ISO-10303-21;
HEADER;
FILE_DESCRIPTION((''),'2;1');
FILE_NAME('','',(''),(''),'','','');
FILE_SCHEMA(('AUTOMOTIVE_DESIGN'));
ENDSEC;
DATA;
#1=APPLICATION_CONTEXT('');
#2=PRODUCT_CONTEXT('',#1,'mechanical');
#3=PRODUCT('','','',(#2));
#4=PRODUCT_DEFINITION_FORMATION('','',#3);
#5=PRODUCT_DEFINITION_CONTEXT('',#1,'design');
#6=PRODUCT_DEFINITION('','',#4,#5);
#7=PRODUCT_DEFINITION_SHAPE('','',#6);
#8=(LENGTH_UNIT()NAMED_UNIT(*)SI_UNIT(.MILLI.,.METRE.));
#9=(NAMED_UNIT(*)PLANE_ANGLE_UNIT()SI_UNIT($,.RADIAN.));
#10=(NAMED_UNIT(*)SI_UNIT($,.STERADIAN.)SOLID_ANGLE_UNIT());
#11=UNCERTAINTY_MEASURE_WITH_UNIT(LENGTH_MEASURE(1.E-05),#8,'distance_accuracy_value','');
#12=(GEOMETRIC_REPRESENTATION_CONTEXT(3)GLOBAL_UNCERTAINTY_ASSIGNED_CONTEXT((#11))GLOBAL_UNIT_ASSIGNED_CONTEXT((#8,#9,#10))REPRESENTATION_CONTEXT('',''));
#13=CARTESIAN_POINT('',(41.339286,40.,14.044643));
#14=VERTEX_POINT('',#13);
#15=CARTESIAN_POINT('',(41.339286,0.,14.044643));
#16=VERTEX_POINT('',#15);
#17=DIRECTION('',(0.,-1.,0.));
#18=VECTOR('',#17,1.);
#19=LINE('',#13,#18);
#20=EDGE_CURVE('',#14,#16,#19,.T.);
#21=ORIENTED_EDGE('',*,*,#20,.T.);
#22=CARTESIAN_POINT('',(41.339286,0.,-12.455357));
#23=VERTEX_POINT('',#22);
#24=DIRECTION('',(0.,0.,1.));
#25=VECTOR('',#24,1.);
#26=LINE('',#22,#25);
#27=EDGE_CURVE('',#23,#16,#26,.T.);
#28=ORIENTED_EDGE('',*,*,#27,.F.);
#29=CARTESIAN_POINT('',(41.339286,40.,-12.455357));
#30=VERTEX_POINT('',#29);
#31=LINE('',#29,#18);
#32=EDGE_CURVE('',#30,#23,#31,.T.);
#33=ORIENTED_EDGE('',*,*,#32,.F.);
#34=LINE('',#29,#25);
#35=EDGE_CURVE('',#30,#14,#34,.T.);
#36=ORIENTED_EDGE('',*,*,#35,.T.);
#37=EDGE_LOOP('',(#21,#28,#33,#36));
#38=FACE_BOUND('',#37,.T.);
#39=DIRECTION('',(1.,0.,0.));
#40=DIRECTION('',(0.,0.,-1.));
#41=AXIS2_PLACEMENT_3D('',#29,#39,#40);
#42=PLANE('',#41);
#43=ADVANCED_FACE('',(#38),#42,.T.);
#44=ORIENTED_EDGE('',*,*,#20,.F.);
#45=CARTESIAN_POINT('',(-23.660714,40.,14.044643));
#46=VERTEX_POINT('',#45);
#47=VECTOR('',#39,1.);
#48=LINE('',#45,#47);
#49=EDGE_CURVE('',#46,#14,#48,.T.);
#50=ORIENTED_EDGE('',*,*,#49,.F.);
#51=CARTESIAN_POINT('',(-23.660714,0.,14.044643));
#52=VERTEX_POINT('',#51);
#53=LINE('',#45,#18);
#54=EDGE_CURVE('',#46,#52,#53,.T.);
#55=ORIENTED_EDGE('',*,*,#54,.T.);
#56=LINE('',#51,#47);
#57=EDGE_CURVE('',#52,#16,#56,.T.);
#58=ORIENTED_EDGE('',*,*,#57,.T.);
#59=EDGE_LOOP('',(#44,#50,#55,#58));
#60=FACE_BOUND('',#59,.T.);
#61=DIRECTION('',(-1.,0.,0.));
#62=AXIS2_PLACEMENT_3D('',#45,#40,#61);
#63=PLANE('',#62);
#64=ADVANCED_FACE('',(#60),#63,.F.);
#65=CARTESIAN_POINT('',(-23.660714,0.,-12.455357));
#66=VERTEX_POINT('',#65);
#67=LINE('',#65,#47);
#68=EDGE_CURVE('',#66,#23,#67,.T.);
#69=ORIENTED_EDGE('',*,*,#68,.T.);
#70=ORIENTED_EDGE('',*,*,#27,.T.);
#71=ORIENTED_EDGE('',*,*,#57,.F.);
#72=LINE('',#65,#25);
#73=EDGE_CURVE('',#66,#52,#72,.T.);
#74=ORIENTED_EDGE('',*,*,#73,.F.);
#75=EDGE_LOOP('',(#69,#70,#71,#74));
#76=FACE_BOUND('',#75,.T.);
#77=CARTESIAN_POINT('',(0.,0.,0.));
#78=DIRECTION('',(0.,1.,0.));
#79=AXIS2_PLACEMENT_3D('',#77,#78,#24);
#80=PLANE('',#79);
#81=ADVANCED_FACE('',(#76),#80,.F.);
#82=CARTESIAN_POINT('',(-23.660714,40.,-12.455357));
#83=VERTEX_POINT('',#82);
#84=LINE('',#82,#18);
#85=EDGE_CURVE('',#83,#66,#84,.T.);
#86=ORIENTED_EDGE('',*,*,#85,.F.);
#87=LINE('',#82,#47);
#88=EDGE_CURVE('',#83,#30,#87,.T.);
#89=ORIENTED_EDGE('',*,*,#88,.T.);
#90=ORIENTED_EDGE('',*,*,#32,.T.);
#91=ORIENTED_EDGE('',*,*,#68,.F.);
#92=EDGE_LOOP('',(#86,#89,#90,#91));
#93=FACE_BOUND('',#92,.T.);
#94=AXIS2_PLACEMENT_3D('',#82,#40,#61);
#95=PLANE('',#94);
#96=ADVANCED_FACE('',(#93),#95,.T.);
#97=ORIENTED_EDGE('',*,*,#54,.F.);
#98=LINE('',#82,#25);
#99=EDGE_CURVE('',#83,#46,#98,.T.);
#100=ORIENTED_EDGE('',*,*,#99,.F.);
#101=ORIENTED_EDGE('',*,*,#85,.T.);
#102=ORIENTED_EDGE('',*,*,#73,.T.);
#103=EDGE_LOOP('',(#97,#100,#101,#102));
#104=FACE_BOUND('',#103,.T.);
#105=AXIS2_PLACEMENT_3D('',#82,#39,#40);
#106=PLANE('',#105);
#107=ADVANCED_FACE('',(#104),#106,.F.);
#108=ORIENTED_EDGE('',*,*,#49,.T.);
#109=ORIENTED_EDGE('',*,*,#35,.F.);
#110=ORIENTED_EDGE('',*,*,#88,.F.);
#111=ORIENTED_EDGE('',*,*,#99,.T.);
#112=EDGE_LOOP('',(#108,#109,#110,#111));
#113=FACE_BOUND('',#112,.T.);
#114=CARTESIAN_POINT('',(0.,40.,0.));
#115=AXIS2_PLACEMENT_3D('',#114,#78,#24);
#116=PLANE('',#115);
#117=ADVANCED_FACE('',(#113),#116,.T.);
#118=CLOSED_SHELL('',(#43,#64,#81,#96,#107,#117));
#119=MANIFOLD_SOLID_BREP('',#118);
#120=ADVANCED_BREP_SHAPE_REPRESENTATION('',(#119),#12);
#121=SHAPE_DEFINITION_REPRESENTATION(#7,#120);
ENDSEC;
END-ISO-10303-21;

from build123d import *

# Parameters (mm, degrees)
ESQUISSE1_W        = 65
ESQUISSE1_H        = 26.5
BOSS_EXTRU_1_DEPTH = 40


with BuildPart() as part:
    # Esquisse1 → Boss.-Extru.1 (new body)
    with BuildSketch(Plane(origin=(0, 0, 0), x_dir=(1, 0, 0), z_dir=(0, 1, 0))):
        with Locations((8.839285714, -0.794642857)):
            Rectangle(ESQUISSE1_W, ESQUISSE1_H)
    extrude(amount=BOSS_EXTRU_1_DEPTH)


solid = part.part
